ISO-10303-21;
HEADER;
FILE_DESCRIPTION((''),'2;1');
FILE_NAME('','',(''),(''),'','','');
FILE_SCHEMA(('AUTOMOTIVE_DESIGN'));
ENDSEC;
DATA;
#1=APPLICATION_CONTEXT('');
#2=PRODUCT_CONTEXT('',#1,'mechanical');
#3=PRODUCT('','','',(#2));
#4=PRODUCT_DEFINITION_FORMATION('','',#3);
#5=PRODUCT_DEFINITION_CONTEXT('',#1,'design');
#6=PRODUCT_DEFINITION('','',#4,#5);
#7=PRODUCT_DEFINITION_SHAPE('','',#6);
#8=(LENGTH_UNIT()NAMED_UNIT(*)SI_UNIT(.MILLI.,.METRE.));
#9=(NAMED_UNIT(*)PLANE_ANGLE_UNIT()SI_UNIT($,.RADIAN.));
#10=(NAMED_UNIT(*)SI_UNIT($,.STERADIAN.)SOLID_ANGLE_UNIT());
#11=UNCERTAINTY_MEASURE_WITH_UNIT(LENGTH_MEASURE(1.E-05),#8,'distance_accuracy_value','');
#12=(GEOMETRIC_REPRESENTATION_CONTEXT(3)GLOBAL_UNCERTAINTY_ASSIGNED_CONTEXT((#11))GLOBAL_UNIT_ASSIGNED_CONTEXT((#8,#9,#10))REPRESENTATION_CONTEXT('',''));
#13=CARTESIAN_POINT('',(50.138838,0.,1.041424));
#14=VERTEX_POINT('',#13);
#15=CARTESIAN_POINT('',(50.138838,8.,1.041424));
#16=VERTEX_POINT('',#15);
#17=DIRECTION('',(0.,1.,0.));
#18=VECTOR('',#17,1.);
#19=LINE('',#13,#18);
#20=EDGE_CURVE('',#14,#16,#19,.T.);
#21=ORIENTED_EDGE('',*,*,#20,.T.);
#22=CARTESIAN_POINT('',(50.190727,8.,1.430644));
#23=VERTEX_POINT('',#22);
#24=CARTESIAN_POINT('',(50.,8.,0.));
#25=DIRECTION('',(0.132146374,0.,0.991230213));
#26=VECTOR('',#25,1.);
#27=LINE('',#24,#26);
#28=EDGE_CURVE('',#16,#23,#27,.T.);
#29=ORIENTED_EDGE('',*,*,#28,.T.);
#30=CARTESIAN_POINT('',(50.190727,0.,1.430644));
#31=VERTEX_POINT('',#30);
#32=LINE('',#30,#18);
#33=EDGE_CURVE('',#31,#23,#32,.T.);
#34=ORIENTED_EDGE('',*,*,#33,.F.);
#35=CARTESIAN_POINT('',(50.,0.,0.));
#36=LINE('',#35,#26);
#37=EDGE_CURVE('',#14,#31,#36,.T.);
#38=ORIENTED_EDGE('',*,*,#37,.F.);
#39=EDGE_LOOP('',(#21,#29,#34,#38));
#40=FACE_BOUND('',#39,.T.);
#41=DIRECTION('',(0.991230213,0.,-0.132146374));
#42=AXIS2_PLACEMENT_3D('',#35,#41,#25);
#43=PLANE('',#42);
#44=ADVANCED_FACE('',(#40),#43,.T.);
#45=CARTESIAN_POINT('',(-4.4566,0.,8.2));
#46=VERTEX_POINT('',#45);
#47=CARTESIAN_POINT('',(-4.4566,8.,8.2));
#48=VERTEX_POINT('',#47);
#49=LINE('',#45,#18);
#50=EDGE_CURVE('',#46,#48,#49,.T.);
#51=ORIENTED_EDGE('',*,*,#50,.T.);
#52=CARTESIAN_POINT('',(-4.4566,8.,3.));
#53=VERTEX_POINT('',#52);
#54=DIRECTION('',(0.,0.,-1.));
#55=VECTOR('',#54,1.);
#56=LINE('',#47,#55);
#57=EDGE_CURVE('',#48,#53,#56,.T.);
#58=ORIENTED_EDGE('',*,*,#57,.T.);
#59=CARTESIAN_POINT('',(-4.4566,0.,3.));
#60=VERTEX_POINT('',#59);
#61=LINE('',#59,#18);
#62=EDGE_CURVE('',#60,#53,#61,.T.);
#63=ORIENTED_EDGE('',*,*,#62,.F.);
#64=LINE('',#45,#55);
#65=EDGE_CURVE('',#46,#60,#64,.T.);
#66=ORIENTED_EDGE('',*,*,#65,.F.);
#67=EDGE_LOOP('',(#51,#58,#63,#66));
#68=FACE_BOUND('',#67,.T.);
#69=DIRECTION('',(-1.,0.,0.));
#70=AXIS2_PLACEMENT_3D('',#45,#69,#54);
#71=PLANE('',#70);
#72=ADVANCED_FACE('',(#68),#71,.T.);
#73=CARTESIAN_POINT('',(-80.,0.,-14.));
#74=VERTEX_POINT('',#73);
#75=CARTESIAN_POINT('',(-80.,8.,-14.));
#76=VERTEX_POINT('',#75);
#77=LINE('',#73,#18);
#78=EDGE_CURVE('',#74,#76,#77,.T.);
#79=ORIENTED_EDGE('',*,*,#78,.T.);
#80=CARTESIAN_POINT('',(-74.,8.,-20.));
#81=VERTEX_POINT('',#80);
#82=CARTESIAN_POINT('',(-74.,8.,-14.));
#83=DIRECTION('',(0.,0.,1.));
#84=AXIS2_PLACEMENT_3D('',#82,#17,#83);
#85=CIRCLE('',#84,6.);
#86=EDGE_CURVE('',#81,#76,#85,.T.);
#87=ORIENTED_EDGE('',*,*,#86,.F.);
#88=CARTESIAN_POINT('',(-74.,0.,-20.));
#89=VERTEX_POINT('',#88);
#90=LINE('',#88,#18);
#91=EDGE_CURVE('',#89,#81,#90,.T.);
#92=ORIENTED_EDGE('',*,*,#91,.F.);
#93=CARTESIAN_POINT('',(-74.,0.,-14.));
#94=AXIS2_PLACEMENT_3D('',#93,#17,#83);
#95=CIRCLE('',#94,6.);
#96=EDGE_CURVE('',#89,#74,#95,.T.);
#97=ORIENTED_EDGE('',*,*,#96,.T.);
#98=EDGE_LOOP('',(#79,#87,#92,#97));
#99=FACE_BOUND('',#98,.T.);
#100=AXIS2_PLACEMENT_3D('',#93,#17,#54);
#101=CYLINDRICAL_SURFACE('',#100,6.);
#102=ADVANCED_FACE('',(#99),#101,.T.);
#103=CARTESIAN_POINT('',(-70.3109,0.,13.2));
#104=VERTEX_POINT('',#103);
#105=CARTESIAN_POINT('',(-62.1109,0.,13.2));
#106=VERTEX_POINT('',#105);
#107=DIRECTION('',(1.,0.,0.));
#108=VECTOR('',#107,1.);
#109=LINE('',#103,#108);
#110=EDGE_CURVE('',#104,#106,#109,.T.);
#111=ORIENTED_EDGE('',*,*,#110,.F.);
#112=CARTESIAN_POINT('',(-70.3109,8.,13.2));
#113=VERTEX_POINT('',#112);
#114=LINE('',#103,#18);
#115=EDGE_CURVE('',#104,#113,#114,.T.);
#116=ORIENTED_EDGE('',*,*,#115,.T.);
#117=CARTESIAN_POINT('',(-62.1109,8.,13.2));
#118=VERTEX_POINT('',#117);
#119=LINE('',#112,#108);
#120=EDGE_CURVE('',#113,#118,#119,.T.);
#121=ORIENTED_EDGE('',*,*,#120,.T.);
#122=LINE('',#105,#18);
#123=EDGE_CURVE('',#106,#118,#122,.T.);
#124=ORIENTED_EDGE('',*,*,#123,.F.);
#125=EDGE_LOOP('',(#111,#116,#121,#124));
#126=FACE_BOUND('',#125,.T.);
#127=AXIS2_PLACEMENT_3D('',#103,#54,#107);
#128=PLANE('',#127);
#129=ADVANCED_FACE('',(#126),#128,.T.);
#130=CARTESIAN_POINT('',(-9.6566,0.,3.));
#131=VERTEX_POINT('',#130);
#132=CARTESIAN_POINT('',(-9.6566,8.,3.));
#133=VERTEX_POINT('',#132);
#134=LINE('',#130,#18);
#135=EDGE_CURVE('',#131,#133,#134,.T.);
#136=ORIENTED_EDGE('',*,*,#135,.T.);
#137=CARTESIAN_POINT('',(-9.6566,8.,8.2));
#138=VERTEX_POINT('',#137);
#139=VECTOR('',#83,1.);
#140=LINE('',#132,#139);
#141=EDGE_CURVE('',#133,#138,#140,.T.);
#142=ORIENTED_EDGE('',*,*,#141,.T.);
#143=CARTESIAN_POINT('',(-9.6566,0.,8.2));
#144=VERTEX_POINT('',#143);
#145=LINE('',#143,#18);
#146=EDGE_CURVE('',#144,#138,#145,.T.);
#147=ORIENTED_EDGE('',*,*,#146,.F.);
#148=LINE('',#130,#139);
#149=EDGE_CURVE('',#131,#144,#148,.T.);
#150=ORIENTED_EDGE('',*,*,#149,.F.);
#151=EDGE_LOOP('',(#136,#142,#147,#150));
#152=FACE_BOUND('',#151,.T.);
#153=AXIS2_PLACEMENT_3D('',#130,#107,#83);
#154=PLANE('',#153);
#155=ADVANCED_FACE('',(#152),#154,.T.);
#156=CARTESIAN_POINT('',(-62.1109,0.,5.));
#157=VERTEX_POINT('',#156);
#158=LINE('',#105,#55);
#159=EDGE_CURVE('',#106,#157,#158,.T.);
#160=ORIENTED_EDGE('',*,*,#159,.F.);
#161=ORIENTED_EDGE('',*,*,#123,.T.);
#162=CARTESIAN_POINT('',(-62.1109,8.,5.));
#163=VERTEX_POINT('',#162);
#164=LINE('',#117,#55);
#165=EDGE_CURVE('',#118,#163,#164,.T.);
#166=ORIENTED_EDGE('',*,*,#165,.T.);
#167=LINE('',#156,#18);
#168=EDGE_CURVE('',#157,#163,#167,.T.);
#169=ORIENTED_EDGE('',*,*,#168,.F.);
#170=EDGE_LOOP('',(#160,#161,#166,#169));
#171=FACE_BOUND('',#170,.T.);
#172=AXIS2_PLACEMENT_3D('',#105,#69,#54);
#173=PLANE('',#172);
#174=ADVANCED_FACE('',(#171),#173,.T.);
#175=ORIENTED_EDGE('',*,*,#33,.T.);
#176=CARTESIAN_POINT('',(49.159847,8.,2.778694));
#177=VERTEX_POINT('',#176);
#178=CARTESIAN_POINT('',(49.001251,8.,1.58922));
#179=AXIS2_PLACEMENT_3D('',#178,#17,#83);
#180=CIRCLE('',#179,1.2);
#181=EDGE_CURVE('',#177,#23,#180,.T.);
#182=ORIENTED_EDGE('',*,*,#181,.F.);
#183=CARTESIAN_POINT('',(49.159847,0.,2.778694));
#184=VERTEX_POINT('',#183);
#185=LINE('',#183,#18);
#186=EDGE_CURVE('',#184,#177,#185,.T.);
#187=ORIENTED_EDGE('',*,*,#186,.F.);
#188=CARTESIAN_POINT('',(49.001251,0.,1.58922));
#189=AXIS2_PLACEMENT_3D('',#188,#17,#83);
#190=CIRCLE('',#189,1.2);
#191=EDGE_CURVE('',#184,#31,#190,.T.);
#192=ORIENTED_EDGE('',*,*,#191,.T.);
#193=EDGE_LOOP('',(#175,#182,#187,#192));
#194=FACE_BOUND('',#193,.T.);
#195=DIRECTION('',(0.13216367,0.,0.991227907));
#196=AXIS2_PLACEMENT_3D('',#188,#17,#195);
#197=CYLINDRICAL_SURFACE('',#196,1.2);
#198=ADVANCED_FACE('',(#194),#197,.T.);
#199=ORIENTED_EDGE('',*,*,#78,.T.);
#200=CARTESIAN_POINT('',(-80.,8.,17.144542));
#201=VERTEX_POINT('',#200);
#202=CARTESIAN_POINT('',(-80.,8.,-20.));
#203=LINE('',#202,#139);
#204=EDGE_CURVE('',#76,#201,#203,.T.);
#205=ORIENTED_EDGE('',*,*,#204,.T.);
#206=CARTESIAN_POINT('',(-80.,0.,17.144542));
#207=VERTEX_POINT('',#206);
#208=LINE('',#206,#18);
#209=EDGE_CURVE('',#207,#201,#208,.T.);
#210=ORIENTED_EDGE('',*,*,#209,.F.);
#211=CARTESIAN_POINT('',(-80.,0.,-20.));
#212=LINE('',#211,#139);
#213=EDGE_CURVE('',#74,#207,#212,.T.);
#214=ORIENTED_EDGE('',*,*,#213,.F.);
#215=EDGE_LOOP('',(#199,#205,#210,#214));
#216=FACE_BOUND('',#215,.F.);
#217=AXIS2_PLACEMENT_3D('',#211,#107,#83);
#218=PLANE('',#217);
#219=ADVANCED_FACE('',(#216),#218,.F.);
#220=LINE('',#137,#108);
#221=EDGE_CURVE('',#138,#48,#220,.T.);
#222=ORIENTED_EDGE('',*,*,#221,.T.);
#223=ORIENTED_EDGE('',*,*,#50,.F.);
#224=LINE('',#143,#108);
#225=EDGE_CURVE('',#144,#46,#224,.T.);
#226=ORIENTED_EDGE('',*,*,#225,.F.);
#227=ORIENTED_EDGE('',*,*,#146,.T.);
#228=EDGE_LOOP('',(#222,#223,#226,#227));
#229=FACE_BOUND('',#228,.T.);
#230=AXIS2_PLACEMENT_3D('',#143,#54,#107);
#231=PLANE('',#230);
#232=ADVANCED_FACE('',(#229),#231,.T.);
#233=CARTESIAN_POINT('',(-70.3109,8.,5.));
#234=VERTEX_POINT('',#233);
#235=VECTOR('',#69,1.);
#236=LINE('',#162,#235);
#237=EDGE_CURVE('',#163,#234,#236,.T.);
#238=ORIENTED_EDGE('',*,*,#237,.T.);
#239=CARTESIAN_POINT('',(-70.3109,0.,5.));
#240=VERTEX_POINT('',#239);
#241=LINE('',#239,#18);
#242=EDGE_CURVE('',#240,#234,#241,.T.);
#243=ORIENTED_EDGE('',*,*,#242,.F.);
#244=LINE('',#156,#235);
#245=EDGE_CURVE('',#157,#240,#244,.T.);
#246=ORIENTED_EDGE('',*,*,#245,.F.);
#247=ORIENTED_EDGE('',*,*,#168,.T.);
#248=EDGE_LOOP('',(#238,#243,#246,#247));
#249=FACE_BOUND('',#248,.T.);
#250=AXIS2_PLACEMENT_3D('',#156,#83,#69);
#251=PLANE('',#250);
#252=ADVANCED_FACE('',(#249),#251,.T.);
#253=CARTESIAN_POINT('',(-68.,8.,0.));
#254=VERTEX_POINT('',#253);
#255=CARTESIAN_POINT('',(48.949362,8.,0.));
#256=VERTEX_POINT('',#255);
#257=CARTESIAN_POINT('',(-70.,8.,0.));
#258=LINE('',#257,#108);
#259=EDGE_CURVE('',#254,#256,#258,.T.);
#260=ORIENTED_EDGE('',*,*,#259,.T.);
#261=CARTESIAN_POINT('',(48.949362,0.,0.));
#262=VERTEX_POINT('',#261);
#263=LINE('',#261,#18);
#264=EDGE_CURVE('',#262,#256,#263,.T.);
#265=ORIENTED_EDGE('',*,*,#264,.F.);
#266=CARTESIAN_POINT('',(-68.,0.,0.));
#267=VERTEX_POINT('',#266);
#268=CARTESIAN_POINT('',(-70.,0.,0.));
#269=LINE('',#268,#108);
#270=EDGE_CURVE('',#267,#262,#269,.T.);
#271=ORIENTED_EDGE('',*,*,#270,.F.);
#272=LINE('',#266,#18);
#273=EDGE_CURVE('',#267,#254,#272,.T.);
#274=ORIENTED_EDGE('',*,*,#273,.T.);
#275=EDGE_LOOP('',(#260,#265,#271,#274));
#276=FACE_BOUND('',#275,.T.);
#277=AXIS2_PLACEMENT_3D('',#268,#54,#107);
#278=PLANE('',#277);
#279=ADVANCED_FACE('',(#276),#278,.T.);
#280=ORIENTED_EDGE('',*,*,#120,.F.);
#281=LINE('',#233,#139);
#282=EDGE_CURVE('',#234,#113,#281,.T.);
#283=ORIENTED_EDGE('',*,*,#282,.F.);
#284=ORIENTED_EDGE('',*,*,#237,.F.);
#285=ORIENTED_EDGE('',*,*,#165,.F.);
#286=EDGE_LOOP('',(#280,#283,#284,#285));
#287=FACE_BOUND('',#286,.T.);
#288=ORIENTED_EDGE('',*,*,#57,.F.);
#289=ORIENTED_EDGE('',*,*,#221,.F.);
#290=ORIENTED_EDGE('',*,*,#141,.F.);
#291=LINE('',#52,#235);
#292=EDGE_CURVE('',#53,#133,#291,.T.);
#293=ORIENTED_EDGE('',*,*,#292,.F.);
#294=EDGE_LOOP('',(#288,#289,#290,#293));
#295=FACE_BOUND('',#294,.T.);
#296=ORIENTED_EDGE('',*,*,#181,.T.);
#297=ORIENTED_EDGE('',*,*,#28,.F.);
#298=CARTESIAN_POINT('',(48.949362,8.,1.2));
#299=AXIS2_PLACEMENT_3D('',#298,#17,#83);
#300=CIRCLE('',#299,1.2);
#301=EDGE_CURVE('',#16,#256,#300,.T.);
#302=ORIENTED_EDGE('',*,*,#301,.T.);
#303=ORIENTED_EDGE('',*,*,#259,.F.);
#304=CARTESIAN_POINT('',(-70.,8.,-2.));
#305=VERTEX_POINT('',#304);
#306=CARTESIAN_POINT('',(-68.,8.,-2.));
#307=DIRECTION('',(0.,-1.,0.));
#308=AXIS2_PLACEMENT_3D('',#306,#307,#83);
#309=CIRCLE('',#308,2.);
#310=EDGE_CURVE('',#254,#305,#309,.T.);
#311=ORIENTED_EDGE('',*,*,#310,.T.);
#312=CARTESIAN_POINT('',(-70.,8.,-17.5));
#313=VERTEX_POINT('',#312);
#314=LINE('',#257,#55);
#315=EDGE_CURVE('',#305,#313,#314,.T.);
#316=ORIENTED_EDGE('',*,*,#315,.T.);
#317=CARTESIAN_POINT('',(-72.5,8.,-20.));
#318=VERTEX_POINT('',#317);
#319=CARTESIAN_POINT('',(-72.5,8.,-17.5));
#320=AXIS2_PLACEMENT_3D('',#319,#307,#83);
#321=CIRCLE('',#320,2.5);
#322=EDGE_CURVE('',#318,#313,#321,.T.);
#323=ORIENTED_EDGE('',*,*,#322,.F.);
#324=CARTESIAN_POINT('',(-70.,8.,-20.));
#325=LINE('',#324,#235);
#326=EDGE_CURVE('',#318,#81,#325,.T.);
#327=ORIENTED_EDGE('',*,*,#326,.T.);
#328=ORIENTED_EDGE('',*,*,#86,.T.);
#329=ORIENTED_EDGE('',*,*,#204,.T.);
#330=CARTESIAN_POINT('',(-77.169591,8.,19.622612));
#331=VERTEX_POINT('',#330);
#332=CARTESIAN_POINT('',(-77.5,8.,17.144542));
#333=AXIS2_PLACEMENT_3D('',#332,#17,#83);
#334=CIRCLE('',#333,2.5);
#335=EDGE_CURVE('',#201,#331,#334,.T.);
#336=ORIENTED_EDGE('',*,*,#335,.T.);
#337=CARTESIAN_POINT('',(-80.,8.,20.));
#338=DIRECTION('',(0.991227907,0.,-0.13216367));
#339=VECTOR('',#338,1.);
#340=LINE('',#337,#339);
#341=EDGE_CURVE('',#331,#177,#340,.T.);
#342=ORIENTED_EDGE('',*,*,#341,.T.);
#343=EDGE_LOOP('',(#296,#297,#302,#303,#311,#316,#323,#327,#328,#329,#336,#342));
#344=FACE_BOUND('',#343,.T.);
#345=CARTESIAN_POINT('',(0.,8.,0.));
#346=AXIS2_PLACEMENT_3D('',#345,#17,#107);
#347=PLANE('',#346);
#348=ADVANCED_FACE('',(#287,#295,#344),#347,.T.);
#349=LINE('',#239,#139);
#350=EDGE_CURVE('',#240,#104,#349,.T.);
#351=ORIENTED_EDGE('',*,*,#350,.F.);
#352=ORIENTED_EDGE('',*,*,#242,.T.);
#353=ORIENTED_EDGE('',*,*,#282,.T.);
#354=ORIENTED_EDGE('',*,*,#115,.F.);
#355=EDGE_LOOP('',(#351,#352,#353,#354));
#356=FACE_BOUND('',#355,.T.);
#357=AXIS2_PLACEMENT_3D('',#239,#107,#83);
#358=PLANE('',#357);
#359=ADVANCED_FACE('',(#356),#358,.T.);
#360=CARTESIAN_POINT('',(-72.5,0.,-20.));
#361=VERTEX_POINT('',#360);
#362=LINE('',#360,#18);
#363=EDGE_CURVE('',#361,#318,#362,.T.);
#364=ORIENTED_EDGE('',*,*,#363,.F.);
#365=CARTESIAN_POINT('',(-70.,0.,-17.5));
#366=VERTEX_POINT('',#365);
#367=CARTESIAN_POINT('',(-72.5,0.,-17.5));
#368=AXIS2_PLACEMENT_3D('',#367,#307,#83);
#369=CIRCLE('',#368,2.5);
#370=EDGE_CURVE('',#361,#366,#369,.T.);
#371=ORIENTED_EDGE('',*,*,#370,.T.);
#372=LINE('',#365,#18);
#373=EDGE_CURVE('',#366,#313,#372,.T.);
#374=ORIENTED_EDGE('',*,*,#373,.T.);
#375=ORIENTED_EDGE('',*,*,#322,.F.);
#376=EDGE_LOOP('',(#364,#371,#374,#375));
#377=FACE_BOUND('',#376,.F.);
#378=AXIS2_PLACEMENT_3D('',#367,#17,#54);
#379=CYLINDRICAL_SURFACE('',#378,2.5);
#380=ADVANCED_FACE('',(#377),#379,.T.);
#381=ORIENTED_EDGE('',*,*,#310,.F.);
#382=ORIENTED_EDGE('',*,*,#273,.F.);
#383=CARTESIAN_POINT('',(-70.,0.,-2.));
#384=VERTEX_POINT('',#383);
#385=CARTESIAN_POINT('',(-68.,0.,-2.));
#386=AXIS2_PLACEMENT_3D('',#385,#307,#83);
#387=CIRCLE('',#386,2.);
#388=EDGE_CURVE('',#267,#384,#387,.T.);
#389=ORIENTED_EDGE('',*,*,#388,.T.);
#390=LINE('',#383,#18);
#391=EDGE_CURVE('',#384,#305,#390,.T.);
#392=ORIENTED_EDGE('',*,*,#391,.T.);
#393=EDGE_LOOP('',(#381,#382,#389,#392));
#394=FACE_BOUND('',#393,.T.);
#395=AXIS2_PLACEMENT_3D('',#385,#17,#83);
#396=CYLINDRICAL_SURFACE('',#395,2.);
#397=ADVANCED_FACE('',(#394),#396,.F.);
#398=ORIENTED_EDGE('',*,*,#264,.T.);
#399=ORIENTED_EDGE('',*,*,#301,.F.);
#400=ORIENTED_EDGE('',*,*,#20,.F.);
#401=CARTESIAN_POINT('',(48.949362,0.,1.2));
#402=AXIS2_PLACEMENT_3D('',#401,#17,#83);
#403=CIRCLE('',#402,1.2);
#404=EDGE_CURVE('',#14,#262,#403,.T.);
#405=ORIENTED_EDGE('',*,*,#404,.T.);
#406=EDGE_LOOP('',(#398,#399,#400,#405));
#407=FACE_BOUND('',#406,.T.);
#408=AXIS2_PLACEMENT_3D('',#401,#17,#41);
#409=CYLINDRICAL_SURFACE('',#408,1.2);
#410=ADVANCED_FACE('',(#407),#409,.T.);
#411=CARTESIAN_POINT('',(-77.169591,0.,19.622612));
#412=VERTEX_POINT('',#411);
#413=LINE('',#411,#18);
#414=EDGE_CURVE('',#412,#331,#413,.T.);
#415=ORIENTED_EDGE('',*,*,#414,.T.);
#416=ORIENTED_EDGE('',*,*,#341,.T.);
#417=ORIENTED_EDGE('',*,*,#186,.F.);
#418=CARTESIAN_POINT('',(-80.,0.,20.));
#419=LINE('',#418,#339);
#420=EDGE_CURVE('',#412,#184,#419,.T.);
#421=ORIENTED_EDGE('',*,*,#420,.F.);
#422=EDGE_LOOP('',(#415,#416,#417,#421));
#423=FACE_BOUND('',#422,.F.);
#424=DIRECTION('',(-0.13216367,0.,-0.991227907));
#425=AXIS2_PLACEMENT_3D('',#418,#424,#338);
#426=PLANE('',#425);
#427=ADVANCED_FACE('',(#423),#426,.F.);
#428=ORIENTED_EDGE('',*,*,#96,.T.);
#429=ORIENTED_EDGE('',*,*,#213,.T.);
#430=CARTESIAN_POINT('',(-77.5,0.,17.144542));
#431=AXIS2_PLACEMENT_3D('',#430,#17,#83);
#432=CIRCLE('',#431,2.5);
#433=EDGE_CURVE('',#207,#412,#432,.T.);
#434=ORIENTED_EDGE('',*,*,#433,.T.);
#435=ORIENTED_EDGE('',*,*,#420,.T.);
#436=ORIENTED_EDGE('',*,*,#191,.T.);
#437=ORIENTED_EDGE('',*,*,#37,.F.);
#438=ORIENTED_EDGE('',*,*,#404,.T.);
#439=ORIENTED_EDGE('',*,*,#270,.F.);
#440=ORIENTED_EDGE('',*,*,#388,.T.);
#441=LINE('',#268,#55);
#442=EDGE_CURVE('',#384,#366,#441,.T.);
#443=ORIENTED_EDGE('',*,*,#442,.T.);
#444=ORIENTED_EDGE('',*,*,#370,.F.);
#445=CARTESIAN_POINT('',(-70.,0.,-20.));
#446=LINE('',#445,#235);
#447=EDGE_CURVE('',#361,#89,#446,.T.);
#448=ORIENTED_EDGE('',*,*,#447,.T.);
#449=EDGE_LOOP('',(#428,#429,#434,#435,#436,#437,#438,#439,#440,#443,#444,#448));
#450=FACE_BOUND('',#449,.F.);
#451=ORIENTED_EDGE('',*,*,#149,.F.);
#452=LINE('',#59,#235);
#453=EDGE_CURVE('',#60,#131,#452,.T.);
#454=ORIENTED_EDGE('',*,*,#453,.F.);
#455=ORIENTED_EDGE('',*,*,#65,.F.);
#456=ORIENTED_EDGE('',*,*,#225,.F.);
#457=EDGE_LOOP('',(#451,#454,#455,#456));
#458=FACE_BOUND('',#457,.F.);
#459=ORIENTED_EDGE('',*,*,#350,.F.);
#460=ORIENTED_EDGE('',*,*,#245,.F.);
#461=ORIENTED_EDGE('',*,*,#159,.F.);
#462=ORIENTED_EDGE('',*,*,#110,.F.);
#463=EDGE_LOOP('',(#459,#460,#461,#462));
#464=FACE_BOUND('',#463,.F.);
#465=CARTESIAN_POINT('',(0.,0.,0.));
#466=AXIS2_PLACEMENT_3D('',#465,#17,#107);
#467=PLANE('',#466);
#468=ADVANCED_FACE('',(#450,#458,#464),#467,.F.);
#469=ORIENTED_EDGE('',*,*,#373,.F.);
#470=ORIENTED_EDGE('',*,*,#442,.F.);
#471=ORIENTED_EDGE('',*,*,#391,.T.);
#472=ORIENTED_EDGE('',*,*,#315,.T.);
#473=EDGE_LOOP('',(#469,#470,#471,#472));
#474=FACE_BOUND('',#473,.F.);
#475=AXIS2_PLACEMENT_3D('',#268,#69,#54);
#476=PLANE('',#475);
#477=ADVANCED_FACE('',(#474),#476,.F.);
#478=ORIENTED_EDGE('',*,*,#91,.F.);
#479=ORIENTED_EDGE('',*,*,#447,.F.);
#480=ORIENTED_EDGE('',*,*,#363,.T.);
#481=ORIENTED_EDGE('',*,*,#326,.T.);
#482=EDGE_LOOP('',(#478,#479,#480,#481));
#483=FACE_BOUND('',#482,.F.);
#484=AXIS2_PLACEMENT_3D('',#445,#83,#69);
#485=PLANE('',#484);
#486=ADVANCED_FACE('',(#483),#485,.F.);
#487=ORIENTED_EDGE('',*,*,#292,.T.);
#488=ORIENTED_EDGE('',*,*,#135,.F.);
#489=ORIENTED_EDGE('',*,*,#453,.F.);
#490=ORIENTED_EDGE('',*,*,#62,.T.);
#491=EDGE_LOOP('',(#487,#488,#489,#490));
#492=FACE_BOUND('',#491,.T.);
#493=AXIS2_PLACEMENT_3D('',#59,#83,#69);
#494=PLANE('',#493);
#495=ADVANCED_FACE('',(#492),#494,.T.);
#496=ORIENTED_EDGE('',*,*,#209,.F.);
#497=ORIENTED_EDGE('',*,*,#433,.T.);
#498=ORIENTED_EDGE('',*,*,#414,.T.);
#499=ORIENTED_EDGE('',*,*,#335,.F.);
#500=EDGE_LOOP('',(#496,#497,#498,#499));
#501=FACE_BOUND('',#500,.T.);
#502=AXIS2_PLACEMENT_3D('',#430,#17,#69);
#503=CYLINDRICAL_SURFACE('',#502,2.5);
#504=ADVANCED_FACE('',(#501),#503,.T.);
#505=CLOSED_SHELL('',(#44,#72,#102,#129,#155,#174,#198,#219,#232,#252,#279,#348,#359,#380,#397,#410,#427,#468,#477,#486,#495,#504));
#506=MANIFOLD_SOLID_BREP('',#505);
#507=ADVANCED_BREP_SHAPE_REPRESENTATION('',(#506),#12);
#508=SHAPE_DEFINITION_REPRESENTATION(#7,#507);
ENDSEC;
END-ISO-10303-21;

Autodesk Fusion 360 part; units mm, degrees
sketch "Sketch1" plane through (0, 0, 0) normal (0, 1, 0) x (1, 0, 0)
  line L0 (-70, 0) -> (50, 0)
  line L1 (-70, 0) -> (-70, 20)
  line L2 (-70, 20) -> (-80, 20)
  line L3 (-80, 20) -> (-80, -20)
  line L4 (-80, -20) -> (50.3493, -2.6201)
  line L5 (50, 0) -> (50.3493, -2.6201)
  line L6 (-70.3109, -13.2) -> (-62.1109, -13.2)
  line L7 (-62.1109, -13.2) -> (-62.1109, -5)
  line L8 (-62.1109, -5) -> (-70.3109, -5)
  line L9 (-70.3109, -5) -> (-70.3109, -13.2)
  line L10 (-9.6566, -8.2) -> (-4.4566, -8.2)
  line L11 (-4.4566, -8.2) -> (-4.4566, -3)
  line L12 (-4.4566, -3) -> (-9.6566, -3)
  line L13 (-9.6566, -3) -> (-9.6566, -8.2)
  dimension "d1" = 20
  dimension "d2" = 10
  dimension "d3" = 40
  dimension "d4" = 8.2
  dimension "d5" = 8.2
  dimension "d6" = 5
  dimension "d7" = 5.2
  dimension "d8" = 5.2
  dimension "d9" = 3
extrude "Extrude1" add sketch "Sketch1" along normal blind 8
fillet "Fillet1" radius 2 1 edges at (-70, 4, 0)
fillet "Fillet2" radius 6 1 edges at (-80, 4, -20)
fillet "Fillet3" radius 2.5 1 edges at (-70, 4, -20)
fillet "Fillet4" radius 2.5 1 edges at (-80, 4, 20)
fillet "Fillet5" radius 1.2 2 edges at (50.3493, 4, 2.6201) (50, 4, 0)
